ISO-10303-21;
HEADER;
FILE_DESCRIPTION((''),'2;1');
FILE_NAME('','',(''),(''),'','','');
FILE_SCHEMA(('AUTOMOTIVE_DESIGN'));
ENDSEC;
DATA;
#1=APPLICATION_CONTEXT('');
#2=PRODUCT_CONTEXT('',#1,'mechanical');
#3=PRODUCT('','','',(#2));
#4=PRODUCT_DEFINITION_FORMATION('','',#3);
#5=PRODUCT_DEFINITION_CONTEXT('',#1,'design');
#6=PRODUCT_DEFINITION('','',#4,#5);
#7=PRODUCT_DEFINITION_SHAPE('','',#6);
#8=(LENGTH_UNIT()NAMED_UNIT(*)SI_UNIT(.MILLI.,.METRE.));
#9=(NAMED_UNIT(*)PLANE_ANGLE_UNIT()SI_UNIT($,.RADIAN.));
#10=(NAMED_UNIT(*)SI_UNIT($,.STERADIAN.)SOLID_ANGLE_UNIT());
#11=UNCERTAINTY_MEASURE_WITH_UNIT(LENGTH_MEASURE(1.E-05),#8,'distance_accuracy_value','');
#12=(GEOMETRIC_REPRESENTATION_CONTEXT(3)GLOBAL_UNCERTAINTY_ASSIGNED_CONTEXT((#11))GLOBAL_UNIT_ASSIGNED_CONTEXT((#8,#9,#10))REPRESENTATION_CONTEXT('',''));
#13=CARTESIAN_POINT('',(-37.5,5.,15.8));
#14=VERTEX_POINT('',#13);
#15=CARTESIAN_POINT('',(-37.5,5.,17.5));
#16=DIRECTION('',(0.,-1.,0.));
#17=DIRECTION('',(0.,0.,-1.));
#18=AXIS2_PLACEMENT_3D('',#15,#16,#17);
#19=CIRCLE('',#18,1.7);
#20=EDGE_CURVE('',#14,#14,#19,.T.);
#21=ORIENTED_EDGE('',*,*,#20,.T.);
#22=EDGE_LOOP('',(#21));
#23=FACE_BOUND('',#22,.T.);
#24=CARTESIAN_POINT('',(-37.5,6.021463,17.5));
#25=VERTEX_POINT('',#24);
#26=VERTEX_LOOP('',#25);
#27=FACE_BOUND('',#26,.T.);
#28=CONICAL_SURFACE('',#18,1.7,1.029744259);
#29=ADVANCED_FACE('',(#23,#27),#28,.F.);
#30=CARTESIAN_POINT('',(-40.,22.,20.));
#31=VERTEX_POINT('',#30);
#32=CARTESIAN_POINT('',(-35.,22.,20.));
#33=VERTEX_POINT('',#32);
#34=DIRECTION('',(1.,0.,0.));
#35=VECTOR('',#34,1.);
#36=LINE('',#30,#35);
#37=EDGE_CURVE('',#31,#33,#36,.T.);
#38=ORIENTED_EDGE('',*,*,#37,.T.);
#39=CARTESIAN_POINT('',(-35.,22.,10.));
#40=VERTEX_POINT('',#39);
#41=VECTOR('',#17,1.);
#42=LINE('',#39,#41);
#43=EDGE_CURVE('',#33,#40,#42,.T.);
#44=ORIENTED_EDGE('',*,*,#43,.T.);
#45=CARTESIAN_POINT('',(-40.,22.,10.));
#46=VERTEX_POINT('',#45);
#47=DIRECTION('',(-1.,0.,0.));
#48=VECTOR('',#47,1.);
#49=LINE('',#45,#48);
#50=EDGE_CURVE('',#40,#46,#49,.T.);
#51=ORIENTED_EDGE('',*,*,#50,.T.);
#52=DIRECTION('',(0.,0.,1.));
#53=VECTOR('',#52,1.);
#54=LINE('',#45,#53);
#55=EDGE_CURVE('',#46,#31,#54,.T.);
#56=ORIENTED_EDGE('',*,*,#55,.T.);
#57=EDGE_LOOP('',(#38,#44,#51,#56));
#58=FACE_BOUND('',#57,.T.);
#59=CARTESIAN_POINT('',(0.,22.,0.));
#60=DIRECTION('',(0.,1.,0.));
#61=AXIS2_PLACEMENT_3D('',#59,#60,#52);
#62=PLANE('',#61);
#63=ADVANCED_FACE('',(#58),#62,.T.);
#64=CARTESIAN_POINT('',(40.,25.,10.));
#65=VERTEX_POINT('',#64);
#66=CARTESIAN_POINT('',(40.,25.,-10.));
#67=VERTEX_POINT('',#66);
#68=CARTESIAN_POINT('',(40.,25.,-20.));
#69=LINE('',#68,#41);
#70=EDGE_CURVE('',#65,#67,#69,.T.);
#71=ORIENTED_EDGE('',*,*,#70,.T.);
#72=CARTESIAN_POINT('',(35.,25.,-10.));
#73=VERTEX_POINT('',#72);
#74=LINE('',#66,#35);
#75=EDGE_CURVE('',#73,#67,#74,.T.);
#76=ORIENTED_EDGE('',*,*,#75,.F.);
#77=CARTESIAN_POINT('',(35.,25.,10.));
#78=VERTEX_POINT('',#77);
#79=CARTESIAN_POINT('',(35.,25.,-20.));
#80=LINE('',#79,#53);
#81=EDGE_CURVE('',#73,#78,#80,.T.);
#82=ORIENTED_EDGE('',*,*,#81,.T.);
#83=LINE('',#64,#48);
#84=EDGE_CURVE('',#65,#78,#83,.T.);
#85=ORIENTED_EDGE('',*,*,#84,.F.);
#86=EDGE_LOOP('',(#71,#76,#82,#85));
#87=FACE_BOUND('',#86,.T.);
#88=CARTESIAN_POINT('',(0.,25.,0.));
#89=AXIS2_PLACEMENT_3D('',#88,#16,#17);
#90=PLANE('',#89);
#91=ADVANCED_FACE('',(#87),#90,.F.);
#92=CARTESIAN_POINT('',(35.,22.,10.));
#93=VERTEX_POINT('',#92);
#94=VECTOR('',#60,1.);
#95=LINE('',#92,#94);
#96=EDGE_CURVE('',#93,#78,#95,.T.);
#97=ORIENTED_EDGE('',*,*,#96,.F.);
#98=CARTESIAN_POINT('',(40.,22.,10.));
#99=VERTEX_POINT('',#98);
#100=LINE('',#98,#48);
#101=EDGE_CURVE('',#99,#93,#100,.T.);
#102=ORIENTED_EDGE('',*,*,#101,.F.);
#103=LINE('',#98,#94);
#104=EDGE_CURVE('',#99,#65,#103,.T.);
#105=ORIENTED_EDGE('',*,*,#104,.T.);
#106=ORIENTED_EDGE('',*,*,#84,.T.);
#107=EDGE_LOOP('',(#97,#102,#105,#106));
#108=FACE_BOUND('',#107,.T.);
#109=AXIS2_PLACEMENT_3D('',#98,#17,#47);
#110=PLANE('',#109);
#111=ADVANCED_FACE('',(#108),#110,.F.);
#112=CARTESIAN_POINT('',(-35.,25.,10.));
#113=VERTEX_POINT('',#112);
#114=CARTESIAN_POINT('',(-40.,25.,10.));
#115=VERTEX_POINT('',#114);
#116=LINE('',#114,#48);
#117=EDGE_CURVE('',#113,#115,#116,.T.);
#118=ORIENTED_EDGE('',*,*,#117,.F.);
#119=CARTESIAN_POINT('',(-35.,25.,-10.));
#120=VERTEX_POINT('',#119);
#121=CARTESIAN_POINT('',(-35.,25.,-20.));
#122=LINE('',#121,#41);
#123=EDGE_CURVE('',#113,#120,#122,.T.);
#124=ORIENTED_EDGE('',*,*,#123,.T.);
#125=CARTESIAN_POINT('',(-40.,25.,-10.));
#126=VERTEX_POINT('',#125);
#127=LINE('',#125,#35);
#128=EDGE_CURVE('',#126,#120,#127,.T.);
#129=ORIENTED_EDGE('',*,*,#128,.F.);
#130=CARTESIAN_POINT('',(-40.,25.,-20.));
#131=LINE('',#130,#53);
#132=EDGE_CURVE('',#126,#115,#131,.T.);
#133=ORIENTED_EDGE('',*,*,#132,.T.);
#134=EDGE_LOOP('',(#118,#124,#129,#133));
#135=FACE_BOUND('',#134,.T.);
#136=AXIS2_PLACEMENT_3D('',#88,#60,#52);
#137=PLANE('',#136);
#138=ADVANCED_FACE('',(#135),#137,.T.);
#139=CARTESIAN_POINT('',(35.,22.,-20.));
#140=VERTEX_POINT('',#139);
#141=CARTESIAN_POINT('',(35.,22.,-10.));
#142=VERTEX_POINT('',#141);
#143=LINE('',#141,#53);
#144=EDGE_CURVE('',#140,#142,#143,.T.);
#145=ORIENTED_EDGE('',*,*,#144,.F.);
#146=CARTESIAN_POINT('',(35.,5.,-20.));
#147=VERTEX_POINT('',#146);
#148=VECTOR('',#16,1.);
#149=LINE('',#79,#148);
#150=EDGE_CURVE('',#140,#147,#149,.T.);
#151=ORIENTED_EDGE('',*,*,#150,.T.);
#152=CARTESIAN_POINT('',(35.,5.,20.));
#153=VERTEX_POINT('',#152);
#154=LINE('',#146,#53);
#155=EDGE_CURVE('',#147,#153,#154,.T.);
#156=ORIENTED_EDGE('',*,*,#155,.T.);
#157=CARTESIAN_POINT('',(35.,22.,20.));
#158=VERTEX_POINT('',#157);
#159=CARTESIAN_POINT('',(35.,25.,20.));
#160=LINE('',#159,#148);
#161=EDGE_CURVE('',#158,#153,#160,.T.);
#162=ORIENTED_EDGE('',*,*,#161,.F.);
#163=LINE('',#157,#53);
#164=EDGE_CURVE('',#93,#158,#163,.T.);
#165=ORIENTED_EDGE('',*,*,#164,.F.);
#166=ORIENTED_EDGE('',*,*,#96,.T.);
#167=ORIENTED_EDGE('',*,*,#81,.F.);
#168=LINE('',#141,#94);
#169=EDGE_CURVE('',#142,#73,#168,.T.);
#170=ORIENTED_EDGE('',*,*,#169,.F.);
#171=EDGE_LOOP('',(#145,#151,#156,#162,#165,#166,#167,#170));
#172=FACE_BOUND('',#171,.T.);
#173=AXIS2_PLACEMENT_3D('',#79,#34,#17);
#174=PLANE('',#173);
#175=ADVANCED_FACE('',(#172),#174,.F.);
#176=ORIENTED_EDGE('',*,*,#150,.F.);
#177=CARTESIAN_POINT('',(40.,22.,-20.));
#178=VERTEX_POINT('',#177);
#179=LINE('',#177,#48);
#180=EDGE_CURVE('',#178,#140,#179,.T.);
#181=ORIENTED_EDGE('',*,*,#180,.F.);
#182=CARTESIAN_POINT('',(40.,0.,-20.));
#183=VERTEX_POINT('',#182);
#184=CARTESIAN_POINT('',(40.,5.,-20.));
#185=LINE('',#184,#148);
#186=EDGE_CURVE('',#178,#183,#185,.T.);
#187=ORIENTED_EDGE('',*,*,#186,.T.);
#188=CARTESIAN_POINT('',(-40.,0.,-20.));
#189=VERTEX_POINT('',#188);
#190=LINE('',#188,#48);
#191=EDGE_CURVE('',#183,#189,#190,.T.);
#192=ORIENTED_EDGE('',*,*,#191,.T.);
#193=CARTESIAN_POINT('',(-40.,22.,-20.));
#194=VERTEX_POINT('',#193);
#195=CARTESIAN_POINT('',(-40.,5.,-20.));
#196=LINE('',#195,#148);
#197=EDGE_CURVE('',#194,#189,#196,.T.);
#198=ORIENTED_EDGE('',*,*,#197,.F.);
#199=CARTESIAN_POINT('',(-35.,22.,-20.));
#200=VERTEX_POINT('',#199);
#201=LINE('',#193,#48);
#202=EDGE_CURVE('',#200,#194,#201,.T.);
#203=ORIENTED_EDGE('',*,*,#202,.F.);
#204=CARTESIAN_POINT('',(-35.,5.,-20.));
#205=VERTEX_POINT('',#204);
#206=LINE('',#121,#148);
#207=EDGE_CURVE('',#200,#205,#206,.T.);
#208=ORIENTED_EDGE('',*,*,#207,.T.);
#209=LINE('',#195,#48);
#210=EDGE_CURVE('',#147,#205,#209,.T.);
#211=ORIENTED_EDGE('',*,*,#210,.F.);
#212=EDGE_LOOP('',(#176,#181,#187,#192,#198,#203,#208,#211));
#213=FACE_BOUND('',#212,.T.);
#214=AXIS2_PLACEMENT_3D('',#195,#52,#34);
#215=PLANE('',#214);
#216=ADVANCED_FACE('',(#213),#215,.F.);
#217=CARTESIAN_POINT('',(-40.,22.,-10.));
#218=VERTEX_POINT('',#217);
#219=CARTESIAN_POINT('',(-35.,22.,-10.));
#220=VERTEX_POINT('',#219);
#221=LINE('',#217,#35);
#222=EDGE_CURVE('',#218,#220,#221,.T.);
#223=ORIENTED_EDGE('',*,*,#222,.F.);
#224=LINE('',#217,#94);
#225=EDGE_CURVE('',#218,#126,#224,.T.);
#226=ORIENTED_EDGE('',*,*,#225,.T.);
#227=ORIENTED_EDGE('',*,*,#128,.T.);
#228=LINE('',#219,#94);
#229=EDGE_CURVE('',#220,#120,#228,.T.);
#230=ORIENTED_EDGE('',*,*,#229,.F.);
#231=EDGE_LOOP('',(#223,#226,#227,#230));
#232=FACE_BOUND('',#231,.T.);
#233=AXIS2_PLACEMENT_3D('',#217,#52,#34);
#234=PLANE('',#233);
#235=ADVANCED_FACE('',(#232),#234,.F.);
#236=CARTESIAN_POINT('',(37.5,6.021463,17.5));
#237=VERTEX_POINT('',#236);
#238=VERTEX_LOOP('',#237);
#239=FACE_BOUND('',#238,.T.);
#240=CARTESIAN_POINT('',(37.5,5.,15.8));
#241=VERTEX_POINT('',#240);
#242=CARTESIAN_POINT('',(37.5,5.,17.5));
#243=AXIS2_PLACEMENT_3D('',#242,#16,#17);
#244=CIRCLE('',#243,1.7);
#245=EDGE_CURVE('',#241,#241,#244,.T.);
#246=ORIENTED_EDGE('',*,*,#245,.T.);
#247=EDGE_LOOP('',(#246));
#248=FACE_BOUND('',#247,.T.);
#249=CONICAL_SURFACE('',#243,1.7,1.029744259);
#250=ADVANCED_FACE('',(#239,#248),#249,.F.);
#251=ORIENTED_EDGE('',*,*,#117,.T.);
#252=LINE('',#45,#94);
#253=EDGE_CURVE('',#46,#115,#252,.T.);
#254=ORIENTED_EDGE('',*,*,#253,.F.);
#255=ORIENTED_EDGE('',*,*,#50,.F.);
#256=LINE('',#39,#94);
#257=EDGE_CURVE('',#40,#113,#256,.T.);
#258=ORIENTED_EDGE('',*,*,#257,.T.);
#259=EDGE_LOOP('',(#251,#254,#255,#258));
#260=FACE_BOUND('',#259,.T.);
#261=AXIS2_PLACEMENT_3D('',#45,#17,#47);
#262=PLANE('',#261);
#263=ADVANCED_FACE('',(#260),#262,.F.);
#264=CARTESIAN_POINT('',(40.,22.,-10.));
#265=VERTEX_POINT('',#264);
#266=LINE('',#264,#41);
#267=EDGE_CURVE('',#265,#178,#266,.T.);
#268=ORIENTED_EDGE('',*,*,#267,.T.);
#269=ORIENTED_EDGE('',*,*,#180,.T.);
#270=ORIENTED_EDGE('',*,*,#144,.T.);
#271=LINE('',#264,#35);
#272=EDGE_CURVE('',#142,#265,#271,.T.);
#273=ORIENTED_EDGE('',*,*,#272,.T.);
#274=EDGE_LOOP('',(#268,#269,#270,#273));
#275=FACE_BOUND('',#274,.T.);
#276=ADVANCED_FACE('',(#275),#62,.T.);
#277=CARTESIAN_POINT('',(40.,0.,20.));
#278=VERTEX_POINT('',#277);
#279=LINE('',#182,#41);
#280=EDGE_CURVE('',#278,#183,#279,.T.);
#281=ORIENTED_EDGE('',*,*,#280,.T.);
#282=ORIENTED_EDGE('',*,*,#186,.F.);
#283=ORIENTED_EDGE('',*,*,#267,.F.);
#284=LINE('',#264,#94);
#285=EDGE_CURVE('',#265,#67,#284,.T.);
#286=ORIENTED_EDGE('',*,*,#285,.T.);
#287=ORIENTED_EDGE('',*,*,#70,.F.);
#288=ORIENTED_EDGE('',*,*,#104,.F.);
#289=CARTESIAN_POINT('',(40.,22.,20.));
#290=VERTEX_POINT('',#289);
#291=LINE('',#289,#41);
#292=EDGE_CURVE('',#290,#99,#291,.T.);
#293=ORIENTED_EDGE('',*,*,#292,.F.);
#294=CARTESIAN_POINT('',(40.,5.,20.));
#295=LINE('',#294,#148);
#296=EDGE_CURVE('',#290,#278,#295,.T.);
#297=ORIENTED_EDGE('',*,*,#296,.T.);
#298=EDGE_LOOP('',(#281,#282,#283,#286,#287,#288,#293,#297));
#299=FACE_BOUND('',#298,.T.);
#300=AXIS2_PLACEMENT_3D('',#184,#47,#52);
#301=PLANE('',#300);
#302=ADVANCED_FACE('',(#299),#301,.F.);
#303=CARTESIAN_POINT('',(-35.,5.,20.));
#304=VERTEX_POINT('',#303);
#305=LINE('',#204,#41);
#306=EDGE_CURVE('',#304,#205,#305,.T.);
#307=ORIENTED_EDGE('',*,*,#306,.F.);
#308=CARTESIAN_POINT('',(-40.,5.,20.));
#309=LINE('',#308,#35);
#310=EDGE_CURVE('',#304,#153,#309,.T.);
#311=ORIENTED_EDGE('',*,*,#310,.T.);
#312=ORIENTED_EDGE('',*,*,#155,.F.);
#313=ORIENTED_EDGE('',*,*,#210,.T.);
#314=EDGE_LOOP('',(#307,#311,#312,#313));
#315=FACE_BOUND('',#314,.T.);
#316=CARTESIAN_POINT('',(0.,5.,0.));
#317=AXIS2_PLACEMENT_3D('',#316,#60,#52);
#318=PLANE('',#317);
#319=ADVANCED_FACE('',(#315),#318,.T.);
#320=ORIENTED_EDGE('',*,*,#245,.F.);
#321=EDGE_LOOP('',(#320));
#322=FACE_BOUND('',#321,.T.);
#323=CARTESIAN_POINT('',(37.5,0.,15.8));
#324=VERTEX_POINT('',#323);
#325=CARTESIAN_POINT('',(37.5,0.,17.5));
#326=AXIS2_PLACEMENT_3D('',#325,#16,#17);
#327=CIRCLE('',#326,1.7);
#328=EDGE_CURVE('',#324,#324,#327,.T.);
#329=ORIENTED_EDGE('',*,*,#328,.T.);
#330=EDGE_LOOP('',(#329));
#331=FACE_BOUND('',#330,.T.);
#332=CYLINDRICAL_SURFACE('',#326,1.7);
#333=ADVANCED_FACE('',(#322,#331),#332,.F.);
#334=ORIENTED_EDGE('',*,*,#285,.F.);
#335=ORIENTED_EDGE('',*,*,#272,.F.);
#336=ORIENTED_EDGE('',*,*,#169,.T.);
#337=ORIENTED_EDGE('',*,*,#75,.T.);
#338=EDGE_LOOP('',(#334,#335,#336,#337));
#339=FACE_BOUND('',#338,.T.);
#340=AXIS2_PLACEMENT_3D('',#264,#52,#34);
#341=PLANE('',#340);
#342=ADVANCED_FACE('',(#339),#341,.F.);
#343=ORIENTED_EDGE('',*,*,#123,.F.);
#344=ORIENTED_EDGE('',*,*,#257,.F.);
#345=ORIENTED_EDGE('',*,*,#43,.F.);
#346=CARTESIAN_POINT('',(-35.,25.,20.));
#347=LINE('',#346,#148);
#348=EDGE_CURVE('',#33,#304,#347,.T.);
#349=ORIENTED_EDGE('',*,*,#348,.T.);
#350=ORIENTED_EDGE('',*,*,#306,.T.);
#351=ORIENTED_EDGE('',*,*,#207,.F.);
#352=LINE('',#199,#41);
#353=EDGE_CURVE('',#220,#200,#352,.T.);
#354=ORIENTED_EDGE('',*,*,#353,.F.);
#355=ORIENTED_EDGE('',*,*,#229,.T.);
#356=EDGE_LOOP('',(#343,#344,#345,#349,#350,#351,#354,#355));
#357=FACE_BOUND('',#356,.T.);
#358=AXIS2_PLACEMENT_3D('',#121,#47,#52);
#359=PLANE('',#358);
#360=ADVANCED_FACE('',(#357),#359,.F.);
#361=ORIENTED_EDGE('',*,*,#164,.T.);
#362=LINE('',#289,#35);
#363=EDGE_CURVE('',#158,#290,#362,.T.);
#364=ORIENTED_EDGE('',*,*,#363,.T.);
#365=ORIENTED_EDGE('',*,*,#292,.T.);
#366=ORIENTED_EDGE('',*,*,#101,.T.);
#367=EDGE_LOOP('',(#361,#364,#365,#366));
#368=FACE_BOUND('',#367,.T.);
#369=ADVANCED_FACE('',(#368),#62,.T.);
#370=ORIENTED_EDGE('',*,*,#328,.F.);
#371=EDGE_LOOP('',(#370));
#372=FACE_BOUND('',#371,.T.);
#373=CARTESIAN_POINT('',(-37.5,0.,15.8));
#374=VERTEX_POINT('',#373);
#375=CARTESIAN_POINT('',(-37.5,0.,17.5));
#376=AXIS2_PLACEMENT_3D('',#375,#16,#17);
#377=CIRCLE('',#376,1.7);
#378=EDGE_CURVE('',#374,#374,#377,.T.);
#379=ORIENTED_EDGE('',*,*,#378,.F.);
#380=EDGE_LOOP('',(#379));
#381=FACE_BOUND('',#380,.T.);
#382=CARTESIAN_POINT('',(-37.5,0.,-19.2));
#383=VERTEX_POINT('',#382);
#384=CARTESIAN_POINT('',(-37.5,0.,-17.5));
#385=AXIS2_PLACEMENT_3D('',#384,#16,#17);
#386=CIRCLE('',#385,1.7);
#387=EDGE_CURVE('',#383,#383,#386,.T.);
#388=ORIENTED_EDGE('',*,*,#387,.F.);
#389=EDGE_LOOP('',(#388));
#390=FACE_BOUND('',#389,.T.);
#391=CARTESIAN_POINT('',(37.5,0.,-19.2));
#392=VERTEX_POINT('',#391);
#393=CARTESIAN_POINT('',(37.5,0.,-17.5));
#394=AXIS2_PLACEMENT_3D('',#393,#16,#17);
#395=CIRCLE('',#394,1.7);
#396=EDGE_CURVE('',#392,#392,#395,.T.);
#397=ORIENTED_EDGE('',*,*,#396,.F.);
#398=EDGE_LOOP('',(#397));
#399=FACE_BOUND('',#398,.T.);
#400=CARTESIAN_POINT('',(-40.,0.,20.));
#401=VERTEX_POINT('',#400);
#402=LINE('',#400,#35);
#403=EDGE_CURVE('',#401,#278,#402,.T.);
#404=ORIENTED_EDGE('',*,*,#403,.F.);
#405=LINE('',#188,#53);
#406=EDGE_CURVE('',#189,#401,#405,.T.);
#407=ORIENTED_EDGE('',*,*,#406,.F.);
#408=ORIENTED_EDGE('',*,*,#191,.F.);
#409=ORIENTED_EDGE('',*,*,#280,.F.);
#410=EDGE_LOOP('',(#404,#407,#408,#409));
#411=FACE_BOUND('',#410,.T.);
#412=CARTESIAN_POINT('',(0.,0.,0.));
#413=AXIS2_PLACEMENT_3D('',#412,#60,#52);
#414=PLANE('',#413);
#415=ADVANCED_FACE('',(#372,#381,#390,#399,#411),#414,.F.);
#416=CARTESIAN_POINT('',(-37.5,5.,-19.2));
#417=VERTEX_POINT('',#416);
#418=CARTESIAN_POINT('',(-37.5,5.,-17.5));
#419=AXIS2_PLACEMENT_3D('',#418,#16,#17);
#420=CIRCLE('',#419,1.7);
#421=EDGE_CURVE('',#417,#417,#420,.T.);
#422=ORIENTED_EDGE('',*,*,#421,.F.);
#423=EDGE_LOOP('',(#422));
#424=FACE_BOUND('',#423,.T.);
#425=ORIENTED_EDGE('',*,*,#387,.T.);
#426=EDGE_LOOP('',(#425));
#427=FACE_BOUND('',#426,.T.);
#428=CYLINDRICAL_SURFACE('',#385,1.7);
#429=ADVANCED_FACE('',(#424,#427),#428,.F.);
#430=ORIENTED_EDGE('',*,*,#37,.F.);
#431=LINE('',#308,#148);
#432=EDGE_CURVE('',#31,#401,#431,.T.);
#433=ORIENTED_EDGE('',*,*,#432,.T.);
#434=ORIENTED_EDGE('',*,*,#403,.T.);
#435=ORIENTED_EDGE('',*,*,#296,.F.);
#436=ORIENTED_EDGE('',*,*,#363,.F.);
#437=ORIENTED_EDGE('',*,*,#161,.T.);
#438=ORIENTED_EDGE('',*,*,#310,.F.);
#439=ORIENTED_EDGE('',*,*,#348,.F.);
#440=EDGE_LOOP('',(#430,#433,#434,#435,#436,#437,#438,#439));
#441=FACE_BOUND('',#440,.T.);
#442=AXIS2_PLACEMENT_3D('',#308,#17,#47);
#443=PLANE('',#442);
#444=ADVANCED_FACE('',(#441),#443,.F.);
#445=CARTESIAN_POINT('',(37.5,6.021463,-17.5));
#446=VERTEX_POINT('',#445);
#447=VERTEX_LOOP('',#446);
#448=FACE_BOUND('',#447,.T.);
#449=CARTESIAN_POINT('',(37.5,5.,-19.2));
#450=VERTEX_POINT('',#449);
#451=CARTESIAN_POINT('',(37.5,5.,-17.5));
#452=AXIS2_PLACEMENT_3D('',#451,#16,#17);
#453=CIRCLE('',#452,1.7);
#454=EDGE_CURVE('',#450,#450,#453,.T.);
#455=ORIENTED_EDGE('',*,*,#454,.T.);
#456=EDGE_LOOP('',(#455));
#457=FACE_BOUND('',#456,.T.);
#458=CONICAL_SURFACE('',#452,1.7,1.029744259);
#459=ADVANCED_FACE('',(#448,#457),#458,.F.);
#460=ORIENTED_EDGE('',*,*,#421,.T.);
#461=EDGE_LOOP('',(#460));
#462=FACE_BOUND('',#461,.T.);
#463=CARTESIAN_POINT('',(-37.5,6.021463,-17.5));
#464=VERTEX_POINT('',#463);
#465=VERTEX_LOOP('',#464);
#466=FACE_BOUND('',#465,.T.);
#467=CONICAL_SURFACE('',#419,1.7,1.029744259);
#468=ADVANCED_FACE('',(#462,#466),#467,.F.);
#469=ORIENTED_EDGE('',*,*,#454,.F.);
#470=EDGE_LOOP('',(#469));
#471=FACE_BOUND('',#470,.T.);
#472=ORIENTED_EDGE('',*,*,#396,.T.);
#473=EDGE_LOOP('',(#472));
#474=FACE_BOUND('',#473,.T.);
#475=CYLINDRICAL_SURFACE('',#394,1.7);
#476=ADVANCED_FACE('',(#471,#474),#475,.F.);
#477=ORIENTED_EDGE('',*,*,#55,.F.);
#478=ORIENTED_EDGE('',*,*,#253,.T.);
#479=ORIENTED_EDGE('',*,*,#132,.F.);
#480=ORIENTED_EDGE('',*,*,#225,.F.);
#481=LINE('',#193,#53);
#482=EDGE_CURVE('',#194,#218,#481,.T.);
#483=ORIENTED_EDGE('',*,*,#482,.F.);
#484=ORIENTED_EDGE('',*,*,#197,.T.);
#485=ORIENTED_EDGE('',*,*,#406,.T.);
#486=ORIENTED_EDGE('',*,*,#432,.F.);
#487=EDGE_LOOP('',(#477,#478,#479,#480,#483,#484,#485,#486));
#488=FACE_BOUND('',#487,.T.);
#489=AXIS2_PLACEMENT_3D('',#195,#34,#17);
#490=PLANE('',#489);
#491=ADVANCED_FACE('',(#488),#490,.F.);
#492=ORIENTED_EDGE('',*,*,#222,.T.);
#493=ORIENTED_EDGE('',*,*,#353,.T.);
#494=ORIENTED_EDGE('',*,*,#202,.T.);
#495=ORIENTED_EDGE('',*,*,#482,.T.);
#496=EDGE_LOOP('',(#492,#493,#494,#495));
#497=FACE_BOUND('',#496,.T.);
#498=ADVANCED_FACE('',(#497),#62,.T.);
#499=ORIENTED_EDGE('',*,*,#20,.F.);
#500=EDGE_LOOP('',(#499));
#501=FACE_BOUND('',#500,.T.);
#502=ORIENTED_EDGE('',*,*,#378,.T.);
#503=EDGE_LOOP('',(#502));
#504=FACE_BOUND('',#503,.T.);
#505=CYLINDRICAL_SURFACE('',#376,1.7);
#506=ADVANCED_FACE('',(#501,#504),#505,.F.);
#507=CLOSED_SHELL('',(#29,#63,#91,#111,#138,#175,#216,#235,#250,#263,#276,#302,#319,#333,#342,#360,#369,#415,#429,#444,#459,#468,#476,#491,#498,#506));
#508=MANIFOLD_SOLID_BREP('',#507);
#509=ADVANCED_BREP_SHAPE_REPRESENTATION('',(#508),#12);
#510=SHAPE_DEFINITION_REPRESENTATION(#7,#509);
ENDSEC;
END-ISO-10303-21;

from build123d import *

# Parameters (mm, degrees)
SKETCH1_W                = 80
SKETCH1_H                = 40
BOSS_EXTRUDE1_DEPTH      = 5
SKETCH2_W                = 5
SKETCH2_H                = 40
BOSS_EXTRUDE2_DEPTH      = 20
SKETCH3_W                = 5
SKETCH3_H                = 40
BOSS_EXTRUDE3_DEPTH      = 20
SKETCH4_W                = 5
SKETCH4_H                = 10
CUT_EXTRUDE1_DEPTH       = 3
SKETCH5_W                = 5
SKETCH5_H                = 10
CUT_EXTRUDE2_DEPTH       = 3
M3_CLEARANCE_HOLE1_D     = 3.4
M3_CLEARANCE_HOLE1_DEPTH = 5
M3_CLEARANCE_HOLE1_TIP   = 1.021463052


with BuildPart() as part:
    # Sketch1 → Boss-Extrude1 (new body)
    with BuildSketch(Plane(origin=(0, 0, 0), x_dir=(1, 0, 0), z_dir=(0, 1, 0))):
        Rectangle(SKETCH1_W, SKETCH1_H)
    extrude(amount=BOSS_EXTRUDE1_DEPTH)

    # Sketch2 → Boss-Extrude2 (add)
    with BuildSketch(Plane(origin=(0, 5, 0), x_dir=(1, 0, 0), z_dir=(0, 1, 0))):
        with Locations((-37.5, 0)):
            Rectangle(SKETCH2_W, SKETCH2_H)
    extrude(amount=BOSS_EXTRUDE2_DEPTH)

    # Sketch3 → Boss-Extrude3 (add)
    with BuildSketch(Plane(origin=(0, 5, 0), x_dir=(1, 0, 0), z_dir=(0, 1, 0))):
        with Locations((37.5, 0)):
            Rectangle(SKETCH3_W, SKETCH3_H)
    extrude(amount=BOSS_EXTRUDE3_DEPTH)

    # Sketch4 → Cut-Extrude1 (cut)
    with BuildSketch(Plane(origin=(0, 25, 0), x_dir=(1, 0, 0), z_dir=(0, 1, 0))):
        with Locations((-37.5, 15)):
            Rectangle(SKETCH4_W, SKETCH4_H)
        with Locations((-37.5, -15)):
            Rectangle(SKETCH4_W, SKETCH4_H)
    extrude(amount=-CUT_EXTRUDE1_DEPTH, mode=Mode.SUBTRACT)

    # Sketch5 → Cut-Extrude2 (cut)
    with BuildSketch(Plane(origin=(0, 25, 0), x_dir=(1, 0, 0), z_dir=(0, 1, 0))):
        with Locations((37.5, -15)):
            Rectangle(SKETCH5_W, SKETCH5_H)
        with Locations((37.5, 15)):
            Rectangle(SKETCH5_W, SKETCH5_H)
    extrude(amount=-CUT_EXTRUDE2_DEPTH, mode=Mode.SUBTRACT)

    # M3 Clearance Hole1
    with Locations(Plane(origin=(0, 0, 0), x_dir=(-1, 0, 0), z_dir=(0, -1, 0))):
        with Locations((37.5, -17.5), (37.5, 17.5), (-37.5, 17.5), (-37.5, -17.5)):
            Hole(M3_CLEARANCE_HOLE1_D / 2, depth=M3_CLEARANCE_HOLE1_DEPTH)
            with Locations((0, 0, -(M3_CLEARANCE_HOLE1_DEPTH + M3_CLEARANCE_HOLE1_TIP / 2))):  # 118° drill point
                Cone(0, M3_CLEARANCE_HOLE1_D / 2, M3_CLEARANCE_HOLE1_TIP, mode=Mode.SUBTRACT)


solid = part.part
